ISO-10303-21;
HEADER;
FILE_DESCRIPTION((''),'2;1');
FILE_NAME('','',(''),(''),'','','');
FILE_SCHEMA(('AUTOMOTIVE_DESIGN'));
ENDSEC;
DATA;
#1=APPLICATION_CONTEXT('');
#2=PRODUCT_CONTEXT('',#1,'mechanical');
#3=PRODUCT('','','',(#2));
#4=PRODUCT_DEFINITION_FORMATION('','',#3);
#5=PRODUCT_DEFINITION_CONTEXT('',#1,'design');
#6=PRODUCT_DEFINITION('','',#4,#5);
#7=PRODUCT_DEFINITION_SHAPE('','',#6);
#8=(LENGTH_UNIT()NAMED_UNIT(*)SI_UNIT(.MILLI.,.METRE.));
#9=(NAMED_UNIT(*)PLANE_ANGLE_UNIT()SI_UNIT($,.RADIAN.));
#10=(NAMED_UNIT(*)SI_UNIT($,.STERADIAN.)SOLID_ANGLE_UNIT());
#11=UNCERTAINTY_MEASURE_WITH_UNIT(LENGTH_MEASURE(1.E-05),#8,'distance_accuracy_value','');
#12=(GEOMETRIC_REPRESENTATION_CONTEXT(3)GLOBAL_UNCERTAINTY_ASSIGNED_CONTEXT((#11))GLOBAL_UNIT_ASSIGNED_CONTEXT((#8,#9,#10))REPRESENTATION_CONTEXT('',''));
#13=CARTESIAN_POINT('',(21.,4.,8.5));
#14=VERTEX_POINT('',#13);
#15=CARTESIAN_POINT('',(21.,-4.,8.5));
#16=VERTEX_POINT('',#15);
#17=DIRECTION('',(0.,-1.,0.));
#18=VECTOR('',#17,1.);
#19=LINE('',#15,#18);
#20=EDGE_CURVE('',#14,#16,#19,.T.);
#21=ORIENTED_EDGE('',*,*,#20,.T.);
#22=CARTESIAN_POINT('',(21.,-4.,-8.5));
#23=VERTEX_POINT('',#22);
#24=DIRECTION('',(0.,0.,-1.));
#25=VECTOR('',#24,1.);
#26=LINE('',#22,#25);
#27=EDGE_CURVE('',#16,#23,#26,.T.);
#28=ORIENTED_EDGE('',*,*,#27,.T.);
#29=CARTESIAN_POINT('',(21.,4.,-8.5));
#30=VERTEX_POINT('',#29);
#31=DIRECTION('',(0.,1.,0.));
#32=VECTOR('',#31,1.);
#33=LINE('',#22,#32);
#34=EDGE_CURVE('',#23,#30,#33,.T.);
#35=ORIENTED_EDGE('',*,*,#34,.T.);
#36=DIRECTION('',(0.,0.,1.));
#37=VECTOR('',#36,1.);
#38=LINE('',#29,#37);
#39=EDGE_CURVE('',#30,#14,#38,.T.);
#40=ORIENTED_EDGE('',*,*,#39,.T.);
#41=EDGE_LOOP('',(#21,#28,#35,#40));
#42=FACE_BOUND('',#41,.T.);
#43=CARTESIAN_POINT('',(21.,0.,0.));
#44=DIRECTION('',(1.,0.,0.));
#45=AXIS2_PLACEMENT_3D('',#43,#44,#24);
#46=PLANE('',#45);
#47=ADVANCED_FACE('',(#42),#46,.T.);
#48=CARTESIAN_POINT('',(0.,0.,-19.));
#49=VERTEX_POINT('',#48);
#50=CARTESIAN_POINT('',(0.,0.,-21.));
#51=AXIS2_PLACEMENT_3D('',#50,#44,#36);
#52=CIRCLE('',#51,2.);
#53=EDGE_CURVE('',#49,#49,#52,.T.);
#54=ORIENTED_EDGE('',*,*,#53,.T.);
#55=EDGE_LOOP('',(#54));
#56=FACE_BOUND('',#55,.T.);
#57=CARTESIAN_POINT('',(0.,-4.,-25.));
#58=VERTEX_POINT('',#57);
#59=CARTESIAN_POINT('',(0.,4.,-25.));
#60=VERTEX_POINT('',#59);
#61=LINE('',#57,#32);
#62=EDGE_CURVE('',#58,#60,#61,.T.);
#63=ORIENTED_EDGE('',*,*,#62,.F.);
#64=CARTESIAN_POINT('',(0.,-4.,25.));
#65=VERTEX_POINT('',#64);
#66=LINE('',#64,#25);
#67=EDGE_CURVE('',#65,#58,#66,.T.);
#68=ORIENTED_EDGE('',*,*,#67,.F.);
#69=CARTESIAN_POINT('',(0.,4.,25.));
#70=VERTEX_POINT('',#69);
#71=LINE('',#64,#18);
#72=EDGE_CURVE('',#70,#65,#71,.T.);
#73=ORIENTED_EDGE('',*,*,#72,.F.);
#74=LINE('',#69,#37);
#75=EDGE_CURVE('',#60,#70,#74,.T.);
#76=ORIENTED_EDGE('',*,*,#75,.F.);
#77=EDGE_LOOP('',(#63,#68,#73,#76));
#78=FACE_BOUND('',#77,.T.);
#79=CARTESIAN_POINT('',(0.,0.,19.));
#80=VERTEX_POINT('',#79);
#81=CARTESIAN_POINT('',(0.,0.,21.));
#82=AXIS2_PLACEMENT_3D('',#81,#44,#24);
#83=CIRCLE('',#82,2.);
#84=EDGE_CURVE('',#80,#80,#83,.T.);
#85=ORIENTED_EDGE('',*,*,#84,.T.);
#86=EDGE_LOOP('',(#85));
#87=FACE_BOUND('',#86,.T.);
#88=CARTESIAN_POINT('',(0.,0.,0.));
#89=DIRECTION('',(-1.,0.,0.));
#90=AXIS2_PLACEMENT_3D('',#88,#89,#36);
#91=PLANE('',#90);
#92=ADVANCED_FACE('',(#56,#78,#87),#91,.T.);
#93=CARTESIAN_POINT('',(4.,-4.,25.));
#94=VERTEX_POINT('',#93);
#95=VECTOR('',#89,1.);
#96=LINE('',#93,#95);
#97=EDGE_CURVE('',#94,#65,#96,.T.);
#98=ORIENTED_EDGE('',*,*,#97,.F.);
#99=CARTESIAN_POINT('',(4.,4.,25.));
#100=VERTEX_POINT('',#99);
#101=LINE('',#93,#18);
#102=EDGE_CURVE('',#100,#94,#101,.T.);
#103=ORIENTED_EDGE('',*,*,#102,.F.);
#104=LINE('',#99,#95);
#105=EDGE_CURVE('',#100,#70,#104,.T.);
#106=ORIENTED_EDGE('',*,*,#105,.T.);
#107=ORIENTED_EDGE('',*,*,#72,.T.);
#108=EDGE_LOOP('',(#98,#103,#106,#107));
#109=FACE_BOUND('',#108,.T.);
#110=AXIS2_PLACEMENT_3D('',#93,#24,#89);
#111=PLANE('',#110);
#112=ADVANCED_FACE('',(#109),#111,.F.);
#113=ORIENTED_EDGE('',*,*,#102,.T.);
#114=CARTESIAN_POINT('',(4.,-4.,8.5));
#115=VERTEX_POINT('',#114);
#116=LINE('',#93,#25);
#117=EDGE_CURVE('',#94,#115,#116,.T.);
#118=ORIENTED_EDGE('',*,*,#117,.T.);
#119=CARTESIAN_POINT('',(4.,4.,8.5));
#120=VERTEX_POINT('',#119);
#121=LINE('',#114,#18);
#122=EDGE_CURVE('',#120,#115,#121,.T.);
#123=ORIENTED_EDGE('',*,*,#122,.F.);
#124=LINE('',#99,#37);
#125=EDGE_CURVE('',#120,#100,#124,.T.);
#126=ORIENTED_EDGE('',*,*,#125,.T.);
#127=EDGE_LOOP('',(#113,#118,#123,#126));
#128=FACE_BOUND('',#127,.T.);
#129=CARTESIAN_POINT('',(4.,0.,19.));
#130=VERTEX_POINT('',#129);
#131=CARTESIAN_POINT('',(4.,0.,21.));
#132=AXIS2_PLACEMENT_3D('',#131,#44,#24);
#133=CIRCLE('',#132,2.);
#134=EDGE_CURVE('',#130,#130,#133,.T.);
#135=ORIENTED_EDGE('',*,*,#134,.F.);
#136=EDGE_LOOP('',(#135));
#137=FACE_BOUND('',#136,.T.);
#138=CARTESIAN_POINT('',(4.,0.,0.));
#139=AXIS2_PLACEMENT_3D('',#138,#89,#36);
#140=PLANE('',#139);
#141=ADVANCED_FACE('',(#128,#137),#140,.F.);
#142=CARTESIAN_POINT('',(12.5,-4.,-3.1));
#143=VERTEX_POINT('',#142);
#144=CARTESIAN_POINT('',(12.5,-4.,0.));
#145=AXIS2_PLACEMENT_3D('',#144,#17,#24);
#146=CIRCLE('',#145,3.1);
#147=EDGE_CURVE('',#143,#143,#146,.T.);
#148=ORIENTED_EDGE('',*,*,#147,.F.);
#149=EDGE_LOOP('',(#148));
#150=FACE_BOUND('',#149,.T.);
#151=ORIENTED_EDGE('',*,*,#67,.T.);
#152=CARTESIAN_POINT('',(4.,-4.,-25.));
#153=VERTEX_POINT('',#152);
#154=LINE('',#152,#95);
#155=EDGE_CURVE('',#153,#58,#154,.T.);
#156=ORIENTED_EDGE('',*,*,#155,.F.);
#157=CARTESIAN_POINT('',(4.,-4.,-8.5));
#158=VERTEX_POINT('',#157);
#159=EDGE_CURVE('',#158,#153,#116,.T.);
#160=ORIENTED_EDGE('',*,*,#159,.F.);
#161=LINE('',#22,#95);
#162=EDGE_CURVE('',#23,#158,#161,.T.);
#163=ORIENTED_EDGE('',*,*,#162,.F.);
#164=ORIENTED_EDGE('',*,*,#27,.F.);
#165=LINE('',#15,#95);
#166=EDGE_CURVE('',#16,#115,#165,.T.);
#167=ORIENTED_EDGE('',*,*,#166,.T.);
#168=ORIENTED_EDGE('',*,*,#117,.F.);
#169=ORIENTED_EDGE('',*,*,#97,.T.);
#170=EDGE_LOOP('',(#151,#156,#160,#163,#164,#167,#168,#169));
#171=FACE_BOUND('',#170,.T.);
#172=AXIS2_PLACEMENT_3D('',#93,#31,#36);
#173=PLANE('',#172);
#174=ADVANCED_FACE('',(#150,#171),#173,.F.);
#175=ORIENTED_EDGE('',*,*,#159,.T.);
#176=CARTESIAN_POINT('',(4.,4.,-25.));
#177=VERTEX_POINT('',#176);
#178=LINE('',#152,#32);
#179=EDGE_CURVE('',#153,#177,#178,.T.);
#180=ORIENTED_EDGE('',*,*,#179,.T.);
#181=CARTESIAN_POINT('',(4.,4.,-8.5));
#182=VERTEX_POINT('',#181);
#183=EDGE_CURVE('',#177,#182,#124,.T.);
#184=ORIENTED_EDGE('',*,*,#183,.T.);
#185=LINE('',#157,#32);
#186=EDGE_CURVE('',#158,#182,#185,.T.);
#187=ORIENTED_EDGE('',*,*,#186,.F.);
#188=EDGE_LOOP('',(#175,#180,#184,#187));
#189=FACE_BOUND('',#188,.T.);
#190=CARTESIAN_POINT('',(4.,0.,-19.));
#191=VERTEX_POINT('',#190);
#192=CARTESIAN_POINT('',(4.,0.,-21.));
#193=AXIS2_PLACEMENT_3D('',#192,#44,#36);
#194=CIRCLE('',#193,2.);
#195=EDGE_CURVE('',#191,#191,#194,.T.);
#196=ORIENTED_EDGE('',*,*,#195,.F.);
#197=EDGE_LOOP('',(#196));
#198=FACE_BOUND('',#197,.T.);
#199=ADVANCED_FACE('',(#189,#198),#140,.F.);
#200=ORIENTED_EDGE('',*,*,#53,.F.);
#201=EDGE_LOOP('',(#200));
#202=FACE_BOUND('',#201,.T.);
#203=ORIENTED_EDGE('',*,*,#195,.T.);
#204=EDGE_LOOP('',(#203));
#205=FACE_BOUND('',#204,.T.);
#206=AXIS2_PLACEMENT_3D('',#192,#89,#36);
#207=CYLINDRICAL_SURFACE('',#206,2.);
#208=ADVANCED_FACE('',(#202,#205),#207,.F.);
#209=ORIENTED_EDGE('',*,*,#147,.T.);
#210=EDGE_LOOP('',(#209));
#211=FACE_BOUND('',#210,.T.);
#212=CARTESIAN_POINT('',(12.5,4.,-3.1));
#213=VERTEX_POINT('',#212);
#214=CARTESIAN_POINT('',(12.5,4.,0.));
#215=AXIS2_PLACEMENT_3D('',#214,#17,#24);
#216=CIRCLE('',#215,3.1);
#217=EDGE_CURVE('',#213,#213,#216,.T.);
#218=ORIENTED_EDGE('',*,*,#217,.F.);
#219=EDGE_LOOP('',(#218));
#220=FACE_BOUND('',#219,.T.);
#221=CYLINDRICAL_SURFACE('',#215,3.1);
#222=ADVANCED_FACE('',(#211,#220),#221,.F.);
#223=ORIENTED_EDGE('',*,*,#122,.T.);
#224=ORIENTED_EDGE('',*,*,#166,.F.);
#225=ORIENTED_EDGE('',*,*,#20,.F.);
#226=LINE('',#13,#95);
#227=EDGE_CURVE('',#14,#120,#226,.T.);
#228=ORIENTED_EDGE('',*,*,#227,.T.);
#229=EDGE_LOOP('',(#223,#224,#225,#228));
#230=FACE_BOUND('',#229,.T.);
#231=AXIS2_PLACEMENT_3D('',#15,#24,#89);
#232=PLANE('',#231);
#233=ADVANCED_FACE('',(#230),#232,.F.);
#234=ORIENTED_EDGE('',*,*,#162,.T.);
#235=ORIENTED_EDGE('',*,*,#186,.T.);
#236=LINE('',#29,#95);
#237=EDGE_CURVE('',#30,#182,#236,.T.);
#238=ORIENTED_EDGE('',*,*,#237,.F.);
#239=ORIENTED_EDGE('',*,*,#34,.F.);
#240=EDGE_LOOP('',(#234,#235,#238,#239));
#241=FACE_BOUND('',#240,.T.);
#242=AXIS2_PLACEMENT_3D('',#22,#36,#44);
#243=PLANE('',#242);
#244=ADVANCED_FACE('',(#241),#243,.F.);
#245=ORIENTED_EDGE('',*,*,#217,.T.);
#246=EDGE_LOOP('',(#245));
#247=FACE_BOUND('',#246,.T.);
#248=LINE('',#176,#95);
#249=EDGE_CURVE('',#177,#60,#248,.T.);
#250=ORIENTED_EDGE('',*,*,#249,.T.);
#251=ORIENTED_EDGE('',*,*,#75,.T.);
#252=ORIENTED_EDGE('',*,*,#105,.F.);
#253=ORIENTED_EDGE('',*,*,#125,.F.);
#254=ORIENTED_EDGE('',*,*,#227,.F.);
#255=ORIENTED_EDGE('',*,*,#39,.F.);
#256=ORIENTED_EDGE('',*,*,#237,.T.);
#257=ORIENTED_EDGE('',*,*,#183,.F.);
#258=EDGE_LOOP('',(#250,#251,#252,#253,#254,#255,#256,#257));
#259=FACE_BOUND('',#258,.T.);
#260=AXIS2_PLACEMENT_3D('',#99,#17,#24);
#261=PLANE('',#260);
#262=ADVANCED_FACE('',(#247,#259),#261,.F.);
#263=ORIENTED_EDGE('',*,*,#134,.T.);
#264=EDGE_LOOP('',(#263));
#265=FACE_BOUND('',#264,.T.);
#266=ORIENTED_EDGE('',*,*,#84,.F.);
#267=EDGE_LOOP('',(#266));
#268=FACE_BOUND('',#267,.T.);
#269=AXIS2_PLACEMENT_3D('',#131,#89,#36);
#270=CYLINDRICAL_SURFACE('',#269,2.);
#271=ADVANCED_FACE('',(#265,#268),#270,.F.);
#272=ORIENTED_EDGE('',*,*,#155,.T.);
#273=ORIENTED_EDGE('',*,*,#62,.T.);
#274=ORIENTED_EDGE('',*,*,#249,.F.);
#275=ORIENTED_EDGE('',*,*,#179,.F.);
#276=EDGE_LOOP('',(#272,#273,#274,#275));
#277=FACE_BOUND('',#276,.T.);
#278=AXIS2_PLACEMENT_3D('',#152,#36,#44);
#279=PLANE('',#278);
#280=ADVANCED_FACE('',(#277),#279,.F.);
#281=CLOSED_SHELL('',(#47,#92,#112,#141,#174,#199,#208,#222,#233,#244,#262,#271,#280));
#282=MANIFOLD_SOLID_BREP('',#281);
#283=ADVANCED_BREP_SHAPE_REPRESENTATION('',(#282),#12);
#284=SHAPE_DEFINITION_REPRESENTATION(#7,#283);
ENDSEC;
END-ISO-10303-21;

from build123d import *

# Parameters (mm, degrees)
SKETCH_1_W          = 50
SKETCH_1_H          = 8
SKETCH_1_R          = 2
EXTRUDE_1_DEPTH     = 4
SKETCH_2_W          = 17
SKETCH_2_H          = 8
EXTRUDE_2_DEPTH     = 17
SKETCH_3_R          = 3.1
CUT_EXTRUDE_1_DEPTH = 34.615472628


with BuildPart() as part:
    # 草图1 → 凸台-拉伸1 (new body)
    with BuildSketch(Plane(origin=(0, 0, 0), x_dir=(0, 0, -1), z_dir=(1, 0, 0))):
        Rectangle(SKETCH_1_W, SKETCH_1_H)
        with Locations((-21, 0)):
            Circle(SKETCH_1_R, mode=Mode.SUBTRACT)
        with Locations(Location((21, 0, 0), (0, 0, 180))):
            Circle(SKETCH_1_R, mode=Mode.SUBTRACT)
    extrude(amount=EXTRUDE_1_DEPTH)

    # 草图2 → 凸台-拉伸2 (add)
    with BuildSketch(Plane(origin=(4, 0, 0), x_dir=(0, 0, -1), z_dir=(1, 0, 0))):
        Rectangle(SKETCH_2_W, SKETCH_2_H)
    extrude(amount=EXTRUDE_2_DEPTH)

    # 草图3 → 切除-拉伸1 (cut, through all)
    with BuildSketch(Plane.XZ.offset(4)):
        with Locations(Location((12.5, 0, 0), (0, 0, 270))):
            Circle(SKETCH_3_R)
    extrude(amount=-CUT_EXTRUDE_1_DEPTH, mode=Mode.SUBTRACT)


solid = part.part
